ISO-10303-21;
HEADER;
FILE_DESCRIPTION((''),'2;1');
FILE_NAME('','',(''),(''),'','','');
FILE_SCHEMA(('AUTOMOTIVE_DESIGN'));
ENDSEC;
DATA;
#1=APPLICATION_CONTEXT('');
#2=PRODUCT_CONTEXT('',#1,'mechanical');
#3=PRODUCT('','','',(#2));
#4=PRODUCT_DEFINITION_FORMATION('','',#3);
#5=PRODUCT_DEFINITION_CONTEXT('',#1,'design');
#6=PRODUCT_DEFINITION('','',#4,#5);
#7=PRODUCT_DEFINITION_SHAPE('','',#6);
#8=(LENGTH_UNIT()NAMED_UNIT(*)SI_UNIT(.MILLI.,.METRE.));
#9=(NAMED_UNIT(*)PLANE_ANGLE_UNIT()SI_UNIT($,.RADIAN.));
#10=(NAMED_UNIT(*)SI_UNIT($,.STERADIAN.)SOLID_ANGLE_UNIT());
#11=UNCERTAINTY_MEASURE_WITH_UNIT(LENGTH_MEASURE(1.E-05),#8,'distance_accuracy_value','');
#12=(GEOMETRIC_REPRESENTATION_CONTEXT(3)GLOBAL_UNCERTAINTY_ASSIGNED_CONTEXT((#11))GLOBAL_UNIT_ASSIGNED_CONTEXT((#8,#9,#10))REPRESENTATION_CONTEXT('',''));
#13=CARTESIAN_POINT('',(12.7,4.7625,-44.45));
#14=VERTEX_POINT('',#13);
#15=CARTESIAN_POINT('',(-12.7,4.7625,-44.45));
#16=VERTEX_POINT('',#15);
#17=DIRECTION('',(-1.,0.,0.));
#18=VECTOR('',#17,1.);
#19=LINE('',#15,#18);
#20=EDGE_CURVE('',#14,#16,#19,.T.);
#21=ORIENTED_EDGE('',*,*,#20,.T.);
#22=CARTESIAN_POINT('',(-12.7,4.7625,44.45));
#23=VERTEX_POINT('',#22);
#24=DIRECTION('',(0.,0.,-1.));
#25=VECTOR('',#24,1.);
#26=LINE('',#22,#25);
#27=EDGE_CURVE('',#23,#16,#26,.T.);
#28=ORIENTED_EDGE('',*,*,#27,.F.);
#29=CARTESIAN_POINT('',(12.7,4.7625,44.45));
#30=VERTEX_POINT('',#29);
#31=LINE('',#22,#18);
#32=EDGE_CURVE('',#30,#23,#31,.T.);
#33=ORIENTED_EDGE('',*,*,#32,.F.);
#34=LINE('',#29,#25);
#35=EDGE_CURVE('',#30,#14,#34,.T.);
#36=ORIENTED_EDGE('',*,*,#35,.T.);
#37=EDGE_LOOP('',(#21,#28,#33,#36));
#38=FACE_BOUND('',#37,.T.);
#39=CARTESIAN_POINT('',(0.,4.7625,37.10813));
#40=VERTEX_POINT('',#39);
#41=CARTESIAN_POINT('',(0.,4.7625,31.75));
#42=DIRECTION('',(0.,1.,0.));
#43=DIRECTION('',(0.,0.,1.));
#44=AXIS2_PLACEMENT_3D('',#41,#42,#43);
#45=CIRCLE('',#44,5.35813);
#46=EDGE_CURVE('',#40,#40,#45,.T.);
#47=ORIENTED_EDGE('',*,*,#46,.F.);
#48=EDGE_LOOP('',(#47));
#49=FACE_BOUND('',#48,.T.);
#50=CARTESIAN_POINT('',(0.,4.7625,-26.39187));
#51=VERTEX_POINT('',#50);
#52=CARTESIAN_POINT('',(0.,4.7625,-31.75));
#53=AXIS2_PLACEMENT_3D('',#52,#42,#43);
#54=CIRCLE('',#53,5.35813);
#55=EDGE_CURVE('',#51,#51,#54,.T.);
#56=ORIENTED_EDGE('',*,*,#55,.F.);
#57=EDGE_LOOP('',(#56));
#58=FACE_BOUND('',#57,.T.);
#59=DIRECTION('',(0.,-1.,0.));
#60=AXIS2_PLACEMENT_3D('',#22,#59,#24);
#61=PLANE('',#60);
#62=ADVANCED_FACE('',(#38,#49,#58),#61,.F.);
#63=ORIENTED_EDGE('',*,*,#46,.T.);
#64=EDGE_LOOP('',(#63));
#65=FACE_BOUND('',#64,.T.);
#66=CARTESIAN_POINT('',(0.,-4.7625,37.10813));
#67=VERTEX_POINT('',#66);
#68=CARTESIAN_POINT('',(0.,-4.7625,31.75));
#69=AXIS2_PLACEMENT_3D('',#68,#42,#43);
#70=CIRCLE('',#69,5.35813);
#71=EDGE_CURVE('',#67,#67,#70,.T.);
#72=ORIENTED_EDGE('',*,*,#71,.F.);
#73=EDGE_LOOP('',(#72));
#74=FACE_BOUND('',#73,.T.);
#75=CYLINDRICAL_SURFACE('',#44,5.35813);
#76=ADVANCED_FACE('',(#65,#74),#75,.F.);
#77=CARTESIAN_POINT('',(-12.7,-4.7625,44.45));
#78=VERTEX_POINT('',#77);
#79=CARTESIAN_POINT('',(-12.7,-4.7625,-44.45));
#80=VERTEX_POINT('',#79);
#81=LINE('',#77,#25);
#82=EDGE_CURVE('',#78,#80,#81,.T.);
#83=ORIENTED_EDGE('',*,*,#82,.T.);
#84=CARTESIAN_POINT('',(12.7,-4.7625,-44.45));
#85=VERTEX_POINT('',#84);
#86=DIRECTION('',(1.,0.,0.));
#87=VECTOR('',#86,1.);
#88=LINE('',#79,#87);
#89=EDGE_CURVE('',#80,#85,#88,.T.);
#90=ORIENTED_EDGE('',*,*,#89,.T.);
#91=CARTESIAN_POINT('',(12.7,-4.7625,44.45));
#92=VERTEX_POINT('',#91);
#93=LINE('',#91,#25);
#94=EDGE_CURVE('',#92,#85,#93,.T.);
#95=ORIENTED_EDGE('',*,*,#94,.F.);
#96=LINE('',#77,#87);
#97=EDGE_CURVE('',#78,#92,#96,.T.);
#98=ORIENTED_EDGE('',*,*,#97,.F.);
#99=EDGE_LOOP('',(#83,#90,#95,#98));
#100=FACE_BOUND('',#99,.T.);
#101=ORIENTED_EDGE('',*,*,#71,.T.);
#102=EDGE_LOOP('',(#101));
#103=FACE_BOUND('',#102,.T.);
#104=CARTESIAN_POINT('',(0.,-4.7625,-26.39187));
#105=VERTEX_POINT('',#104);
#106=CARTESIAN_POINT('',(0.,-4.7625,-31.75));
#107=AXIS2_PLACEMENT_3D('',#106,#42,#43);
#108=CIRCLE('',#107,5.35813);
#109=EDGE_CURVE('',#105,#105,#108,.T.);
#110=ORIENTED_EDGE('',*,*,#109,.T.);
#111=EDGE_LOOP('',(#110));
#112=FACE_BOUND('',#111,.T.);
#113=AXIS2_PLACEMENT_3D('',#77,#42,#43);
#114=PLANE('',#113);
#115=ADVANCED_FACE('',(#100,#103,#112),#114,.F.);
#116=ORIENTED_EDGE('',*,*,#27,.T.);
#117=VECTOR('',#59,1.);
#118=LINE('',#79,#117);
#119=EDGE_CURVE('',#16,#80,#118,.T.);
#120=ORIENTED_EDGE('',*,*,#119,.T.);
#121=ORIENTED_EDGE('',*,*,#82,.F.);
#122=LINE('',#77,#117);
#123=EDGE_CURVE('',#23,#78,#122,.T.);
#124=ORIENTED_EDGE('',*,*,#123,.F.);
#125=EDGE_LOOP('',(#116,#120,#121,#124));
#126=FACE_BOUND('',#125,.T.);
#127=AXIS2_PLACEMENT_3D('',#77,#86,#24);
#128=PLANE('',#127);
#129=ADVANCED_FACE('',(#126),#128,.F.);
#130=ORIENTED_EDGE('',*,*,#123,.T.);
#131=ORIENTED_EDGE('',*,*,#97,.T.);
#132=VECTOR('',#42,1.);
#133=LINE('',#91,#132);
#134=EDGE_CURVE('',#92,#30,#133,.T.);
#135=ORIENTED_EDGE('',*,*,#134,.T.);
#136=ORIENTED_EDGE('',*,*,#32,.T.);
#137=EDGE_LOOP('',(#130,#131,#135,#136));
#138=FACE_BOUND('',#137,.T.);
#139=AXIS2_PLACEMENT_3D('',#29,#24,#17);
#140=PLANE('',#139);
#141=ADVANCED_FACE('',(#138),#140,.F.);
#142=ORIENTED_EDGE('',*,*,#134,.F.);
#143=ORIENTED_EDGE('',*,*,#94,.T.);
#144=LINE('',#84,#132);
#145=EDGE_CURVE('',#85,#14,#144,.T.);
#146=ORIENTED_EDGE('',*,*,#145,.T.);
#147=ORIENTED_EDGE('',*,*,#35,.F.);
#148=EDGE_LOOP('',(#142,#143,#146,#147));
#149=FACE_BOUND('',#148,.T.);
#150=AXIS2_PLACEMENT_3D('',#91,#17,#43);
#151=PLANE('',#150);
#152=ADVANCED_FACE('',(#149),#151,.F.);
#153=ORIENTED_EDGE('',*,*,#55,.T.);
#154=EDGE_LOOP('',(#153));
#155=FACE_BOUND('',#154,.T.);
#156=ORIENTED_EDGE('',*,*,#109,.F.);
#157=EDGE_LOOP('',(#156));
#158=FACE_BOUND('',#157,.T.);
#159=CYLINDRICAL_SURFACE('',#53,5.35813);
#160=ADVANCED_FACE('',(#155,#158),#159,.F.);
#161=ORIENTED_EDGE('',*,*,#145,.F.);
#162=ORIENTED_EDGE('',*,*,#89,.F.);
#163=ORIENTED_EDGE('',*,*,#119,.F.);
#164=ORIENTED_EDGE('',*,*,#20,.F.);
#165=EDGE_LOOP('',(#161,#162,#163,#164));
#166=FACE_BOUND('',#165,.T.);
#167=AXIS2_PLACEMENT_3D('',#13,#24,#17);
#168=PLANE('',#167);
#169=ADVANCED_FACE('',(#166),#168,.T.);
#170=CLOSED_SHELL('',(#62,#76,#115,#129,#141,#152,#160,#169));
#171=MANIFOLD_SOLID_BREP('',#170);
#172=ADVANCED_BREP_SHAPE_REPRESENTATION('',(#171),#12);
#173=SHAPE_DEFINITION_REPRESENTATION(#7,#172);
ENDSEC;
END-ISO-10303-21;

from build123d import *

# Parameters (mm, degrees)
SKETCH1_W                   = 25.4
SKETCH1_H                   = 9.525
EXTRUDE1_DEPTH              = 44.45
TAP_DRILL_FOR_1_2_13_TAP1_D = 10.71626


with BuildPart() as part:
    # Sketch1 → Extrude1 (new body, symmetric)
    with BuildSketch(Plane.XY):
        Rectangle(SKETCH1_W, SKETCH1_H)
    extrude(amount=EXTRUDE1_DEPTH, both=True)

    # Tap Drill for 1/2-13 Tap1 (through all)
    with Locations(Plane(origin=(0, 4.7625, -31.75), x_dir=(0, 0, 1), z_dir=(0, 1, 0))):
        with Locations((0, 0)):
            tap_drill_for_1_2_13_tap1 = Hole(TAP_DRILL_FOR_1_2_13_TAP1_D / 2)

    # Mirror1: Tap Drill for 1/2-13 Tap1 across plane
    add(tap_drill_for_1_2_13_tap1.mirror(Plane.XY), mode=Mode.SUBTRACT)


solid = part.part
